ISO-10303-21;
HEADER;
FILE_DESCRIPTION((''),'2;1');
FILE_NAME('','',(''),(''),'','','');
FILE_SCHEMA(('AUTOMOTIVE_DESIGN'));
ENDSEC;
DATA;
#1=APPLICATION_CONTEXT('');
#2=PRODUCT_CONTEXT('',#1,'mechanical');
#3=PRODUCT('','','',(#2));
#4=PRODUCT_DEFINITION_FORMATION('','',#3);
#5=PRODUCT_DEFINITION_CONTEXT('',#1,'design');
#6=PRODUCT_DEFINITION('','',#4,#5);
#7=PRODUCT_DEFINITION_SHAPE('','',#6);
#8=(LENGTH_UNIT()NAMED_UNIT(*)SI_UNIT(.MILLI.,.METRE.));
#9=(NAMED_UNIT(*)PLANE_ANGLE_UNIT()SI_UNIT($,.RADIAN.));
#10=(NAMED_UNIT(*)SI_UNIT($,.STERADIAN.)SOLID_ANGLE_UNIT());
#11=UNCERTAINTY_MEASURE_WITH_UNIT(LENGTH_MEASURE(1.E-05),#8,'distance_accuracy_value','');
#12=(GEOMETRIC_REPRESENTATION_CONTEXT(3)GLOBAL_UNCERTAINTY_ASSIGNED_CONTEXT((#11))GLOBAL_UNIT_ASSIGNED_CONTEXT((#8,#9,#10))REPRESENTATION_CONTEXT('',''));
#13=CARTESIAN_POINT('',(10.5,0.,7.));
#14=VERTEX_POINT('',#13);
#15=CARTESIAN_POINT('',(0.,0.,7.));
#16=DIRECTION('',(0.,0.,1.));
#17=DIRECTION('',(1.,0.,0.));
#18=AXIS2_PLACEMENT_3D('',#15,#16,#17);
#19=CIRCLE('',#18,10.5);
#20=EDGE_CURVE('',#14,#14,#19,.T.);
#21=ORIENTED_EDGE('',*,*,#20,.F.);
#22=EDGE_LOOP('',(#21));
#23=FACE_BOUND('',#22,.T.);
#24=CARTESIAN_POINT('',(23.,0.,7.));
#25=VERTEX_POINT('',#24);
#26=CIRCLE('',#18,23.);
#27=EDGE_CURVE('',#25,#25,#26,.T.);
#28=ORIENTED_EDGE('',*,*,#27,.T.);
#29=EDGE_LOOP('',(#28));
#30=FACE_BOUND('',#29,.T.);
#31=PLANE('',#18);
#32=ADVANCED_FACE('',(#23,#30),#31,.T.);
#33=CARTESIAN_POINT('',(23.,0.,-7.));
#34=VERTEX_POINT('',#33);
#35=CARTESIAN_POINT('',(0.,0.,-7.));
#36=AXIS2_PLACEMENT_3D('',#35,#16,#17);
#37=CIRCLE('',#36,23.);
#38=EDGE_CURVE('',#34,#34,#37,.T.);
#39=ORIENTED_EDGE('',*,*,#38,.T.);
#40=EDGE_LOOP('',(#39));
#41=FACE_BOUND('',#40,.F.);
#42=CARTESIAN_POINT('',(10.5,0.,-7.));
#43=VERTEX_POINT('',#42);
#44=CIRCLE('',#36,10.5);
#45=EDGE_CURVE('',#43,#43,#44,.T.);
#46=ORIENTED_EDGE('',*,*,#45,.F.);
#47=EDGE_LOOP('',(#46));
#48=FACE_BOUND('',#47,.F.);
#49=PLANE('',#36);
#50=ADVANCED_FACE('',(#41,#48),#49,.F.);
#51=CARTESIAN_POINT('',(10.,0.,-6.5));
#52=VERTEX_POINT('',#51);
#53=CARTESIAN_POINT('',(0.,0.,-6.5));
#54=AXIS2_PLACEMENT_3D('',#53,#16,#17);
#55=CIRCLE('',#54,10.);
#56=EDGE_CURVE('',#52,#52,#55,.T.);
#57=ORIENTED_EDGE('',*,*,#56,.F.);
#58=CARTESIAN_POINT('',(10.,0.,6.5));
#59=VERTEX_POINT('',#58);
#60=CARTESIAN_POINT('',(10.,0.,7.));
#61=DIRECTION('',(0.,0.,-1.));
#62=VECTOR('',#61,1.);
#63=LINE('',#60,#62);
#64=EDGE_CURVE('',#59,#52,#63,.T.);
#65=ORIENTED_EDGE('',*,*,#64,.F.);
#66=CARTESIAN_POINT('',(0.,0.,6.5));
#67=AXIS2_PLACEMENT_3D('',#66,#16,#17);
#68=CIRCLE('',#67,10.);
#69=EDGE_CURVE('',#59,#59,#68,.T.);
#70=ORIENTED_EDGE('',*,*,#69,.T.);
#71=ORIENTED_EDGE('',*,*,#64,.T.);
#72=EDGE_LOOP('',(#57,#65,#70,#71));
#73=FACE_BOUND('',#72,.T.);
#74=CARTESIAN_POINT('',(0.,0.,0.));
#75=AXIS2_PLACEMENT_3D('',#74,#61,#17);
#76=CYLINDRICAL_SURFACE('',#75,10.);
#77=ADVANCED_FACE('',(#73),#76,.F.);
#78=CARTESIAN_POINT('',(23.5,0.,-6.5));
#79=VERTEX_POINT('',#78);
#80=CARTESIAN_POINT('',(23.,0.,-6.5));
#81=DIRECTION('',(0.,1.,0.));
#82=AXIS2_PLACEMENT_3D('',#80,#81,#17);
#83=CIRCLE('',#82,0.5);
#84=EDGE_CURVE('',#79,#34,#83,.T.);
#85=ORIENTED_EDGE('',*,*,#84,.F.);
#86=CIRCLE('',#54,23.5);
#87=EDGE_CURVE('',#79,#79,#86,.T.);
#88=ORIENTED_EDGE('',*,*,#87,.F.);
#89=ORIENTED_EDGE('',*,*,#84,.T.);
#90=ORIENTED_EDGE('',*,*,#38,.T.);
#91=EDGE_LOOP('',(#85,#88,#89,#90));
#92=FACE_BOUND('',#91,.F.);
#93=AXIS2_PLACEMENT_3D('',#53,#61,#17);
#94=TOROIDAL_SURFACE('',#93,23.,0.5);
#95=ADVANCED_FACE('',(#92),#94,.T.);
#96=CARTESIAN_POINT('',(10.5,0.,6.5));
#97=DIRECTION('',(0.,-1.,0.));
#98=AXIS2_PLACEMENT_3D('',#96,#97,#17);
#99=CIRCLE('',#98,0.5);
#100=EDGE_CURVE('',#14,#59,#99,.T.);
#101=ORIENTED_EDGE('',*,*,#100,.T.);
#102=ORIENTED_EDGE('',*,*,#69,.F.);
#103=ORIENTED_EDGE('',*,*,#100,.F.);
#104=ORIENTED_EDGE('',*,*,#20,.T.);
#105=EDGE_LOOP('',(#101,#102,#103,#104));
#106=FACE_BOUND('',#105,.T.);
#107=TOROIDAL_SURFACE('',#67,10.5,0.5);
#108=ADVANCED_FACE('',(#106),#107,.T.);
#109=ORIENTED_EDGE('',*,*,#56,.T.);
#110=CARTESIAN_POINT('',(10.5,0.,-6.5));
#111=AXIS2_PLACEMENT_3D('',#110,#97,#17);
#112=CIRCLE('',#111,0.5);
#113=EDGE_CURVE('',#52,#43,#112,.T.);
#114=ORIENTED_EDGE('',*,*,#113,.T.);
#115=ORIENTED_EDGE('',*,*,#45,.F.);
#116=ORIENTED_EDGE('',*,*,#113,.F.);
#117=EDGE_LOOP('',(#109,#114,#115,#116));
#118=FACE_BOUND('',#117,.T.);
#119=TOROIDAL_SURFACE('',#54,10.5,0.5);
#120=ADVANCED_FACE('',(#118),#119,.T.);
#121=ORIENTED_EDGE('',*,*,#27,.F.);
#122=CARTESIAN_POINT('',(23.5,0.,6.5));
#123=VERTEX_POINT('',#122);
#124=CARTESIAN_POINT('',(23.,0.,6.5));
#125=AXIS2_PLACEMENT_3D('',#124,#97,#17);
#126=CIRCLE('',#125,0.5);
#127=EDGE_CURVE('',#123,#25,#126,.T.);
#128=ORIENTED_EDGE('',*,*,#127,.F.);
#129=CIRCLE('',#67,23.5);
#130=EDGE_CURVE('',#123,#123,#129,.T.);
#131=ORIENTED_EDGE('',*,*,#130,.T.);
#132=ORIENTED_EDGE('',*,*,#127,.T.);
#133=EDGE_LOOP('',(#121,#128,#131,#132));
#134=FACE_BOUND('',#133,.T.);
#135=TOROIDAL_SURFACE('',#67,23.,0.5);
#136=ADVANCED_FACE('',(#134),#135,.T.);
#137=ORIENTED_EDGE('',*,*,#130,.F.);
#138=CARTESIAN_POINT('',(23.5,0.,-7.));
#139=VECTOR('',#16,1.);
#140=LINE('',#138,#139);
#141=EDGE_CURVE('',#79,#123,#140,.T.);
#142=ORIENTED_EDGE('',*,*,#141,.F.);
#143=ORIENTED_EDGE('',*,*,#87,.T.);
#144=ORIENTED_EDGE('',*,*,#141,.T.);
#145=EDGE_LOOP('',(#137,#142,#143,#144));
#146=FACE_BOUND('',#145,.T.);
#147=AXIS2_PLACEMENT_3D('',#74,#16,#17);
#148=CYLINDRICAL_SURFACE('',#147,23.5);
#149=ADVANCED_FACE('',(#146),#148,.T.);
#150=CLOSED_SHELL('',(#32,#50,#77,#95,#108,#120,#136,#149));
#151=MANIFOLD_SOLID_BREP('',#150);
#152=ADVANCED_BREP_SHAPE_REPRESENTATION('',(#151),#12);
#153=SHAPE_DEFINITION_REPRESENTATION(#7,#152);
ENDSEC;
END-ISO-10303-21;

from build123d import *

# Parameters (mm, degrees)
F0_R     = 23.5
F0_R_2   = 10
F1_DEPTH = 7
F2_R     = 0.5


with BuildPart() as f1:
    # F0 (on Top) → F1 (new body, symmetric)
    with BuildSketch(Plane.XY):
        Circle(F0_R)
        Circle(F0_R_2, mode=Mode.SUBTRACT)
    extrude(amount=F1_DEPTH, both=True)

    # F2
    f2_edges = [f1.edges().sort_by_distance(p)[0] for p in [
        (-23.5, 0, -7),
        (23.5, 0, 0),
        (-23.5, 0, 7),
        (-10, 0, 7),
        (10, 0, 0),
        (-10, 0, -7),
    ]]
    fillet(f2_edges, radius=F2_R)


solid = f1.part
